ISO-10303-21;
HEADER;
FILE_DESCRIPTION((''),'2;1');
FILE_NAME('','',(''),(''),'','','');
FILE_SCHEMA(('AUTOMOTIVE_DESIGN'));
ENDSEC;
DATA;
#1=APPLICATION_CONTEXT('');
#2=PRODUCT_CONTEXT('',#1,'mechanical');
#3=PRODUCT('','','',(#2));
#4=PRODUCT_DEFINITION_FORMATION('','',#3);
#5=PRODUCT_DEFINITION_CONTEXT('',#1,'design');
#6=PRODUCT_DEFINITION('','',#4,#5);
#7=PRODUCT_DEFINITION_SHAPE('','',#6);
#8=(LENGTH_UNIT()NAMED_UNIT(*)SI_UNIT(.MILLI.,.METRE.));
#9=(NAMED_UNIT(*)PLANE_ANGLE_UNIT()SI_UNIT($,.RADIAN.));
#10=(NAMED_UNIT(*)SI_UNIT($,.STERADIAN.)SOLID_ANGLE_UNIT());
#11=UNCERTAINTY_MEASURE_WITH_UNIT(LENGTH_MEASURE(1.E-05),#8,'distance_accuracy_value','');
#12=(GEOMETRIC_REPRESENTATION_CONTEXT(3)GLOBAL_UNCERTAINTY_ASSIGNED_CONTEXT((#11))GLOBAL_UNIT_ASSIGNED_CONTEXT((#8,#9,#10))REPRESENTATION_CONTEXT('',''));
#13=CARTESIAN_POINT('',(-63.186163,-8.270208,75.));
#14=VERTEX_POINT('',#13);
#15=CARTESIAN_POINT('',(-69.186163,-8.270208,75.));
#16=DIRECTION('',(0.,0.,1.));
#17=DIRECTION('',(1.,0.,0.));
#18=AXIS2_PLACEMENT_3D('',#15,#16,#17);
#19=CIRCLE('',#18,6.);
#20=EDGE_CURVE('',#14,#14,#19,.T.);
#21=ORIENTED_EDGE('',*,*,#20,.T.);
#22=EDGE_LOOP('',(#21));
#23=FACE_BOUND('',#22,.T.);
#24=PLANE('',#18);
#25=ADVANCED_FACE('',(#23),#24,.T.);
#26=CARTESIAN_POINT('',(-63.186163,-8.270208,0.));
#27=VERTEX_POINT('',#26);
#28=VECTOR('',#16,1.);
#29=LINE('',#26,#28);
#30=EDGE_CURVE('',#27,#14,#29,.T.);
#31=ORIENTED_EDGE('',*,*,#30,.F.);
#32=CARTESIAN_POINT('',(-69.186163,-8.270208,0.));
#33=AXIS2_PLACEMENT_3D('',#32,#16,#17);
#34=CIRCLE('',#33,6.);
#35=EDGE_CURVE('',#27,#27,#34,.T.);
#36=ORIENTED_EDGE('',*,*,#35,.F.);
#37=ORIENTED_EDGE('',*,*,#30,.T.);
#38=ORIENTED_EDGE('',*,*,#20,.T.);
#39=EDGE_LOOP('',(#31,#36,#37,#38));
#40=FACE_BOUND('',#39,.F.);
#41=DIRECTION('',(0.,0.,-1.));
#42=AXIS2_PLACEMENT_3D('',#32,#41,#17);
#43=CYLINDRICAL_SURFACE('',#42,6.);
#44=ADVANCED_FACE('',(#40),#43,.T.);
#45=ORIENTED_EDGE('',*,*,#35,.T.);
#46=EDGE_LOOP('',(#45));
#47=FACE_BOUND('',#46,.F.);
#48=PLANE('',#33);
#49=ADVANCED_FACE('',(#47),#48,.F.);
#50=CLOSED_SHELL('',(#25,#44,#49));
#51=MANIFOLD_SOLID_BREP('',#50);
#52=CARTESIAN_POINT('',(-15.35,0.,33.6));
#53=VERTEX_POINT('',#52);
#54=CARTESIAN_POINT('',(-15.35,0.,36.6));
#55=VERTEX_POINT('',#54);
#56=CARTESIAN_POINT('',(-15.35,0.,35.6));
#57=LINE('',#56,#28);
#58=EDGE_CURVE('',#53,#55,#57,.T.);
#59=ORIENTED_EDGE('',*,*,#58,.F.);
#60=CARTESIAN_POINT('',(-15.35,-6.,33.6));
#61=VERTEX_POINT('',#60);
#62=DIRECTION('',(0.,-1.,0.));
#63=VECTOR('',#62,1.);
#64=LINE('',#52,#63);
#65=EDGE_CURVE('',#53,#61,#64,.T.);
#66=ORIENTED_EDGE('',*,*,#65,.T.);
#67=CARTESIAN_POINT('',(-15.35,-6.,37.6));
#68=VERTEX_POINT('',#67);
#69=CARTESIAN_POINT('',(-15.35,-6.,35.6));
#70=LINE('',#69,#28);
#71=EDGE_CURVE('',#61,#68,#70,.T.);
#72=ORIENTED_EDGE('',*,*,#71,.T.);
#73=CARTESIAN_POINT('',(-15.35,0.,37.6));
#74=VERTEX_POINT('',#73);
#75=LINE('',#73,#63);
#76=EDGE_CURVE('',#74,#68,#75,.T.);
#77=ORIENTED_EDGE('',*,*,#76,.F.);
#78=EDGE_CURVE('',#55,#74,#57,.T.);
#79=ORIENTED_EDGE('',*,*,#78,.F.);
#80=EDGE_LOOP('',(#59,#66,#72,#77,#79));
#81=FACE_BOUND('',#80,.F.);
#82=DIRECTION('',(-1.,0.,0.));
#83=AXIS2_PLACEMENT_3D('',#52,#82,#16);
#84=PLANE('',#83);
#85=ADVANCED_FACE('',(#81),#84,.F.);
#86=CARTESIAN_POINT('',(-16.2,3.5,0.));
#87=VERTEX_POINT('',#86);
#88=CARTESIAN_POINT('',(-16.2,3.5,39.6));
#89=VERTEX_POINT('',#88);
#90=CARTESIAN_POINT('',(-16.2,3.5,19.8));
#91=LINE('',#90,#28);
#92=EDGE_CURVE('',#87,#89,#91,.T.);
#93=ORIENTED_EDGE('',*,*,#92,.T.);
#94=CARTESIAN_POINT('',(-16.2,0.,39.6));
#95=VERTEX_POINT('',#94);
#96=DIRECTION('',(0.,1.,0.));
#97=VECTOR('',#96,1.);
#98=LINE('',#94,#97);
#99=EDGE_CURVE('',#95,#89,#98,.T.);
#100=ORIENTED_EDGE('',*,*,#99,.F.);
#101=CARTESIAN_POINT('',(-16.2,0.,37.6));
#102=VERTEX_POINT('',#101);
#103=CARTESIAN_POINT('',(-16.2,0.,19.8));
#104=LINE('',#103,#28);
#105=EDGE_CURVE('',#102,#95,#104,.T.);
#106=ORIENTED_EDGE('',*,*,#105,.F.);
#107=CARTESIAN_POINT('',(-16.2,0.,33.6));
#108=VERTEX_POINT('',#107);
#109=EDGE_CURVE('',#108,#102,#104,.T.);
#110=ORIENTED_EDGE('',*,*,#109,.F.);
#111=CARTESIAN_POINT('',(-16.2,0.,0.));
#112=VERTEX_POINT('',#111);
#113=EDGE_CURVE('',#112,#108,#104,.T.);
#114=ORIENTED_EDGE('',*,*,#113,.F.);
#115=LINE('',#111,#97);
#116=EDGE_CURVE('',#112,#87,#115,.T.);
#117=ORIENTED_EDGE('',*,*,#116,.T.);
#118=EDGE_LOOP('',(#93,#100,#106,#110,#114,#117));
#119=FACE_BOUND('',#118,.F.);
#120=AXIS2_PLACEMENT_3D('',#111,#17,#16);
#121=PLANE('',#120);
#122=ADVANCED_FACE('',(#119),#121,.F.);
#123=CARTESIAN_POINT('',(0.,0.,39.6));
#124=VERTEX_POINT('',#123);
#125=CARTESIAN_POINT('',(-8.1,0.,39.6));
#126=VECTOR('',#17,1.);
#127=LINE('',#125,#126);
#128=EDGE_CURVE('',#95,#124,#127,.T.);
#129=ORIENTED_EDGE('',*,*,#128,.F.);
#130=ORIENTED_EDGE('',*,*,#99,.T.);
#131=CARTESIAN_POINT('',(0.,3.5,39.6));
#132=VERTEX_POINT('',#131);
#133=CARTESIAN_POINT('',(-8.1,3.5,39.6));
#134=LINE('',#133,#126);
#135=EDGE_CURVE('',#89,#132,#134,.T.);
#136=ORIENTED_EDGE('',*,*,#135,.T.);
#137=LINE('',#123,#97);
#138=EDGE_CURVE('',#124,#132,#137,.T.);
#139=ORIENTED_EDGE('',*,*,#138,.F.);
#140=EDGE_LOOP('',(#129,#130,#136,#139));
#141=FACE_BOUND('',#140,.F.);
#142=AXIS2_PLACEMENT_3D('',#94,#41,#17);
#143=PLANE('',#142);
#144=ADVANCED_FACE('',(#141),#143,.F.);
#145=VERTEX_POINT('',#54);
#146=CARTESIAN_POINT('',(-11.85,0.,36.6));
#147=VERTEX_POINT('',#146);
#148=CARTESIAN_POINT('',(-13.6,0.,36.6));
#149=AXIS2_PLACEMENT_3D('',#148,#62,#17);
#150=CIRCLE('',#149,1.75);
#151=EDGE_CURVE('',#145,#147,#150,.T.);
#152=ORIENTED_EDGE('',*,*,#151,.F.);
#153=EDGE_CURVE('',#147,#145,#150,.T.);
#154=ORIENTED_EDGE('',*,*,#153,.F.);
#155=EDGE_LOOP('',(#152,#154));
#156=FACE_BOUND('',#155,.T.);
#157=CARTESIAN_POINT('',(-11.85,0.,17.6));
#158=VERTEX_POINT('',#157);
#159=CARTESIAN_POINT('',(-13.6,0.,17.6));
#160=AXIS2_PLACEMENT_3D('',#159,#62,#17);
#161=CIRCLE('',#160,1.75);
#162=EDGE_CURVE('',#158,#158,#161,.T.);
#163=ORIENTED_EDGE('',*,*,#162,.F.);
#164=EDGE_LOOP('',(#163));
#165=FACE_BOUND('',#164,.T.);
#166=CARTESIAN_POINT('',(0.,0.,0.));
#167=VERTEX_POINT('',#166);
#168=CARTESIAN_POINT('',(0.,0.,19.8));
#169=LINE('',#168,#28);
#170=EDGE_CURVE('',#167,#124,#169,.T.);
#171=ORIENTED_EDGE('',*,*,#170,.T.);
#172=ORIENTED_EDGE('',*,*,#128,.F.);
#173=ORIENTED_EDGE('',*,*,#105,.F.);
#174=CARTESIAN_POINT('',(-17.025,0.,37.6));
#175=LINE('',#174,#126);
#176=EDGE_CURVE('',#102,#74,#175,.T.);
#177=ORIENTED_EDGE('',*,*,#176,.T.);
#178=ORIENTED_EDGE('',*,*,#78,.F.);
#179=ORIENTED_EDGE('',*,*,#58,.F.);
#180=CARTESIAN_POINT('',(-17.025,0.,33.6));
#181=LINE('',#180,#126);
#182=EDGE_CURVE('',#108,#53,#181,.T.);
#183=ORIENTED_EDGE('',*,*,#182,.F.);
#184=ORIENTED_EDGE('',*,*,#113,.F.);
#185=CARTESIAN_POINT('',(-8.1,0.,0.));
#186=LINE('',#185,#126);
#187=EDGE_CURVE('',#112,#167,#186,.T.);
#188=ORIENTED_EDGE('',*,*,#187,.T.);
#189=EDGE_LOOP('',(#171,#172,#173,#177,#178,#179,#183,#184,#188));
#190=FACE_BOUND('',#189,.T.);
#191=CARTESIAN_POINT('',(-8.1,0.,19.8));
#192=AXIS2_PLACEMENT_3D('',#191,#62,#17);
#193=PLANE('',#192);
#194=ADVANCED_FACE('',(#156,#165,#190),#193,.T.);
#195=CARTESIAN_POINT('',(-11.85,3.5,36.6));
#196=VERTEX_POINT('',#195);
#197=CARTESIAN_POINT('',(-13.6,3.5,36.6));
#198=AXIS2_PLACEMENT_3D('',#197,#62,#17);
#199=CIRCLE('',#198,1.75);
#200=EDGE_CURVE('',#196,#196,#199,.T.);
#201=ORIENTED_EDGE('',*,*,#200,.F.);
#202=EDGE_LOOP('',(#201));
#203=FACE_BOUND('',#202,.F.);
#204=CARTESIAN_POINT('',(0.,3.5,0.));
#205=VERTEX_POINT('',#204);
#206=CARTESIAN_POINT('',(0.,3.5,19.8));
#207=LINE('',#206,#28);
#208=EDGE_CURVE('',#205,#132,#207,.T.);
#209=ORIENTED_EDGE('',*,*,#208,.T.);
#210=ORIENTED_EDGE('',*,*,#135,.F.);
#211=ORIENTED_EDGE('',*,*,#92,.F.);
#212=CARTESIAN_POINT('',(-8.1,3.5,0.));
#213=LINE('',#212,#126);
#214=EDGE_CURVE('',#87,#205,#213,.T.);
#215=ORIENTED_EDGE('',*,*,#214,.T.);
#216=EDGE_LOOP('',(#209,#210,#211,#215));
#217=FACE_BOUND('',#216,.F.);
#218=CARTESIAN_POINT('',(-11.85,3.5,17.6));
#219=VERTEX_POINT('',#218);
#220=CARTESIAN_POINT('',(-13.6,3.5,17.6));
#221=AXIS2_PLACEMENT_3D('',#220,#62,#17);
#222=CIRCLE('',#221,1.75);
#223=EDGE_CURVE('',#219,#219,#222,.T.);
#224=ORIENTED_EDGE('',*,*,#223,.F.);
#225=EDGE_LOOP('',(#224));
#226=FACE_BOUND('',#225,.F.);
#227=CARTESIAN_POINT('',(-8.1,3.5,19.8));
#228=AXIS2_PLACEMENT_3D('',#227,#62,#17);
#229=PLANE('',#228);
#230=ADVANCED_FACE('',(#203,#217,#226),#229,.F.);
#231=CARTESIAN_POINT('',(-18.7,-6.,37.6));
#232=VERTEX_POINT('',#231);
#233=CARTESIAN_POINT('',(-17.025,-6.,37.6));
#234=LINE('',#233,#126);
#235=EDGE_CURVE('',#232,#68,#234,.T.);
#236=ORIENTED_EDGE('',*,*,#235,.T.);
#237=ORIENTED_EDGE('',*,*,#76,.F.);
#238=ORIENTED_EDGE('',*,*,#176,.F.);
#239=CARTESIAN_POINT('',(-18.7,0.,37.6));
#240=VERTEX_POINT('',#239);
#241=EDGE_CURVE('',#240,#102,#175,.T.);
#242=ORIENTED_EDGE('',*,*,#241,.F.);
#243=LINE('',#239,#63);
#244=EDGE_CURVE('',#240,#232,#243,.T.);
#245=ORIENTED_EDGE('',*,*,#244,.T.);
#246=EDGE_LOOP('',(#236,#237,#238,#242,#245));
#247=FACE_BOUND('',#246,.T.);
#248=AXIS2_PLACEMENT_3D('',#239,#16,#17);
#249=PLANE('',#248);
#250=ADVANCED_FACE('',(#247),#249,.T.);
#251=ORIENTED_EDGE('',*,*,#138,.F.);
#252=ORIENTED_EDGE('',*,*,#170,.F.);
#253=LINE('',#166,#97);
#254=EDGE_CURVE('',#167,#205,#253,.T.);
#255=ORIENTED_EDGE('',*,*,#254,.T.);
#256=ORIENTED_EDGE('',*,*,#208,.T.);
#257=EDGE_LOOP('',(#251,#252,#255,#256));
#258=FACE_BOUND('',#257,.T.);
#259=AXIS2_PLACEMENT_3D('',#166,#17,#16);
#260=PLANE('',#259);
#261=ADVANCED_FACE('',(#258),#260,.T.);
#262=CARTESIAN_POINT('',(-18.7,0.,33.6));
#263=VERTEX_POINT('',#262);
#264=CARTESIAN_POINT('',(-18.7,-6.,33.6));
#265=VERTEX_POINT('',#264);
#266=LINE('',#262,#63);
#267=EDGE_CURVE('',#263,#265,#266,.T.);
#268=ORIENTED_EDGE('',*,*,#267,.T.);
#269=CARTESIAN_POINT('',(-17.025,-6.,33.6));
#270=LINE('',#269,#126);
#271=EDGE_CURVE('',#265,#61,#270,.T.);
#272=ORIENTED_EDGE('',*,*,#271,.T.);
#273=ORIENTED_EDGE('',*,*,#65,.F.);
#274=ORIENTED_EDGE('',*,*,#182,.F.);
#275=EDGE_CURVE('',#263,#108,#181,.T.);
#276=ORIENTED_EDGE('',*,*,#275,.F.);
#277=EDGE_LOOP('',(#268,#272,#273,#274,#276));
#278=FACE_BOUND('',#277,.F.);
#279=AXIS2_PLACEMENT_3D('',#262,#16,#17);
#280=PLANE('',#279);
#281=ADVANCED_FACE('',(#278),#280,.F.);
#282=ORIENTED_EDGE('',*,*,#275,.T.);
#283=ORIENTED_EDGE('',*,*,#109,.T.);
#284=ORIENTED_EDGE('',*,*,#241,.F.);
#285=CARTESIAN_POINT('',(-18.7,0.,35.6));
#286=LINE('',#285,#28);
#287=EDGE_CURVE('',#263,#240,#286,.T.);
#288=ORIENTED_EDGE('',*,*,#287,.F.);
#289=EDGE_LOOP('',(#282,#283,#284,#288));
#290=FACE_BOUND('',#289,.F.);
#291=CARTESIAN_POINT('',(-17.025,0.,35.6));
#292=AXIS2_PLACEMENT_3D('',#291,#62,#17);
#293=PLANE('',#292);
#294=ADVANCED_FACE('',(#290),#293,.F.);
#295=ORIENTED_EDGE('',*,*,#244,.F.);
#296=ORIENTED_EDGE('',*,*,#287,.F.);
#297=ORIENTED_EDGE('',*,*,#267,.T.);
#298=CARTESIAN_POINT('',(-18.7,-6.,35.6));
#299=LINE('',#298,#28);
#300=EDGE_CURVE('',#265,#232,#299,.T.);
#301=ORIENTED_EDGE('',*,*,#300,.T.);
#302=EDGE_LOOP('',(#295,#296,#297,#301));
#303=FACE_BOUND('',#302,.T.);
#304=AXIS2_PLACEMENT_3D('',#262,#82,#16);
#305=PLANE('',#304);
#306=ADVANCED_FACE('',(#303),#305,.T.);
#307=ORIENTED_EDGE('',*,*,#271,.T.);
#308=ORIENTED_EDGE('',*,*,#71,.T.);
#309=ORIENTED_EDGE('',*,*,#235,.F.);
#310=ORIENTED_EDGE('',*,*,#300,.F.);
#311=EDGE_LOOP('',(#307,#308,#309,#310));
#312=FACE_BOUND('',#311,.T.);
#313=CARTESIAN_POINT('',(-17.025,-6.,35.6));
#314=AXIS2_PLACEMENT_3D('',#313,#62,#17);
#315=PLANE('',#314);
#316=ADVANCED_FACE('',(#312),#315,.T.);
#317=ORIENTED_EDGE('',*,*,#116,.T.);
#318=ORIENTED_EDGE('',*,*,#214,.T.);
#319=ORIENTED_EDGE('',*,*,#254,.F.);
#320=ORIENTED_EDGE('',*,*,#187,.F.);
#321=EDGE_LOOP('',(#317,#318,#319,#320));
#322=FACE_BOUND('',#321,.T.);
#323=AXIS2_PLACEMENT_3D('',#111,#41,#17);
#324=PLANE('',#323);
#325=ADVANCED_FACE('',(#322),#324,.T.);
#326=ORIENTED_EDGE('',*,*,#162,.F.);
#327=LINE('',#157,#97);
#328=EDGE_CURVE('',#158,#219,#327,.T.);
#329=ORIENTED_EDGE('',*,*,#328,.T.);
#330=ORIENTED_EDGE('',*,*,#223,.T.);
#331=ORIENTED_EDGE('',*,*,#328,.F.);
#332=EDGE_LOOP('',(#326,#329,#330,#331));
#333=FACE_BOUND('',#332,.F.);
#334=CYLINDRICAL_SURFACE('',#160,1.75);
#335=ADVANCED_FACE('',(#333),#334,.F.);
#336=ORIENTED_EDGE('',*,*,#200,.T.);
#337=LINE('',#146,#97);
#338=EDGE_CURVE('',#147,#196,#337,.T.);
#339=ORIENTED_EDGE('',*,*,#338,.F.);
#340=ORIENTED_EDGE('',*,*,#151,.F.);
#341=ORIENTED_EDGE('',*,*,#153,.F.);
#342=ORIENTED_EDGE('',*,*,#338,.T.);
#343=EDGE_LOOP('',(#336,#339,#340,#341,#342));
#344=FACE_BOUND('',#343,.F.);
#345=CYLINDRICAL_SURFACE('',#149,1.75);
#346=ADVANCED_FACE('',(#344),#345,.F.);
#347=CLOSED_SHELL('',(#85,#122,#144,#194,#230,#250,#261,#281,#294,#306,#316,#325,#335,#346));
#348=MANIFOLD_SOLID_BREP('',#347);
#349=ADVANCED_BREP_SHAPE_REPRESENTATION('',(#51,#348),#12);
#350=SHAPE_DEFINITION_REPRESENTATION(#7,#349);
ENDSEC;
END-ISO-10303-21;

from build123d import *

# Parameters (mm, degrees)
F0_R     = 6
F1_DEPTH = 75
F2_W     = 16.2
F2_H     = 39.6
F2_R     = 1.75
F3_DEPTH = 3.5
F4_W     = 3.35
F4_H     = 4
F5_DEPTH = 6


with BuildPart() as f1:
    # F0 (on Top) → F1 (new body)
    with BuildSketch(Plane.XY):
        with Locations((-69.186163, -8.270208)):
            Circle(F0_R)
    extrude(amount=F1_DEPTH)


with BuildPart() as f3:
    # F2 (on Front) → F3 (new body)
    with BuildSketch(Plane.XZ):
        with Locations((-8.1, 19.8)):
            Rectangle(F2_W, F2_H)
        with Locations((-13.6, 17.6)):
            Circle(F2_R, mode=Mode.SUBTRACT)
        with Locations((-13.6, 36.6)):
            Circle(F2_R, mode=Mode.SUBTRACT)
    extrude(amount=-F3_DEPTH)

    # F4 (on Front) → F5 (join)
    with BuildSketch(Plane.XZ):
        with Locations((-17.025, 35.6)):
            Rectangle(F4_W, F4_H)
    extrude(amount=F5_DEPTH)


solid = Compound([f1.part, f3.part])
